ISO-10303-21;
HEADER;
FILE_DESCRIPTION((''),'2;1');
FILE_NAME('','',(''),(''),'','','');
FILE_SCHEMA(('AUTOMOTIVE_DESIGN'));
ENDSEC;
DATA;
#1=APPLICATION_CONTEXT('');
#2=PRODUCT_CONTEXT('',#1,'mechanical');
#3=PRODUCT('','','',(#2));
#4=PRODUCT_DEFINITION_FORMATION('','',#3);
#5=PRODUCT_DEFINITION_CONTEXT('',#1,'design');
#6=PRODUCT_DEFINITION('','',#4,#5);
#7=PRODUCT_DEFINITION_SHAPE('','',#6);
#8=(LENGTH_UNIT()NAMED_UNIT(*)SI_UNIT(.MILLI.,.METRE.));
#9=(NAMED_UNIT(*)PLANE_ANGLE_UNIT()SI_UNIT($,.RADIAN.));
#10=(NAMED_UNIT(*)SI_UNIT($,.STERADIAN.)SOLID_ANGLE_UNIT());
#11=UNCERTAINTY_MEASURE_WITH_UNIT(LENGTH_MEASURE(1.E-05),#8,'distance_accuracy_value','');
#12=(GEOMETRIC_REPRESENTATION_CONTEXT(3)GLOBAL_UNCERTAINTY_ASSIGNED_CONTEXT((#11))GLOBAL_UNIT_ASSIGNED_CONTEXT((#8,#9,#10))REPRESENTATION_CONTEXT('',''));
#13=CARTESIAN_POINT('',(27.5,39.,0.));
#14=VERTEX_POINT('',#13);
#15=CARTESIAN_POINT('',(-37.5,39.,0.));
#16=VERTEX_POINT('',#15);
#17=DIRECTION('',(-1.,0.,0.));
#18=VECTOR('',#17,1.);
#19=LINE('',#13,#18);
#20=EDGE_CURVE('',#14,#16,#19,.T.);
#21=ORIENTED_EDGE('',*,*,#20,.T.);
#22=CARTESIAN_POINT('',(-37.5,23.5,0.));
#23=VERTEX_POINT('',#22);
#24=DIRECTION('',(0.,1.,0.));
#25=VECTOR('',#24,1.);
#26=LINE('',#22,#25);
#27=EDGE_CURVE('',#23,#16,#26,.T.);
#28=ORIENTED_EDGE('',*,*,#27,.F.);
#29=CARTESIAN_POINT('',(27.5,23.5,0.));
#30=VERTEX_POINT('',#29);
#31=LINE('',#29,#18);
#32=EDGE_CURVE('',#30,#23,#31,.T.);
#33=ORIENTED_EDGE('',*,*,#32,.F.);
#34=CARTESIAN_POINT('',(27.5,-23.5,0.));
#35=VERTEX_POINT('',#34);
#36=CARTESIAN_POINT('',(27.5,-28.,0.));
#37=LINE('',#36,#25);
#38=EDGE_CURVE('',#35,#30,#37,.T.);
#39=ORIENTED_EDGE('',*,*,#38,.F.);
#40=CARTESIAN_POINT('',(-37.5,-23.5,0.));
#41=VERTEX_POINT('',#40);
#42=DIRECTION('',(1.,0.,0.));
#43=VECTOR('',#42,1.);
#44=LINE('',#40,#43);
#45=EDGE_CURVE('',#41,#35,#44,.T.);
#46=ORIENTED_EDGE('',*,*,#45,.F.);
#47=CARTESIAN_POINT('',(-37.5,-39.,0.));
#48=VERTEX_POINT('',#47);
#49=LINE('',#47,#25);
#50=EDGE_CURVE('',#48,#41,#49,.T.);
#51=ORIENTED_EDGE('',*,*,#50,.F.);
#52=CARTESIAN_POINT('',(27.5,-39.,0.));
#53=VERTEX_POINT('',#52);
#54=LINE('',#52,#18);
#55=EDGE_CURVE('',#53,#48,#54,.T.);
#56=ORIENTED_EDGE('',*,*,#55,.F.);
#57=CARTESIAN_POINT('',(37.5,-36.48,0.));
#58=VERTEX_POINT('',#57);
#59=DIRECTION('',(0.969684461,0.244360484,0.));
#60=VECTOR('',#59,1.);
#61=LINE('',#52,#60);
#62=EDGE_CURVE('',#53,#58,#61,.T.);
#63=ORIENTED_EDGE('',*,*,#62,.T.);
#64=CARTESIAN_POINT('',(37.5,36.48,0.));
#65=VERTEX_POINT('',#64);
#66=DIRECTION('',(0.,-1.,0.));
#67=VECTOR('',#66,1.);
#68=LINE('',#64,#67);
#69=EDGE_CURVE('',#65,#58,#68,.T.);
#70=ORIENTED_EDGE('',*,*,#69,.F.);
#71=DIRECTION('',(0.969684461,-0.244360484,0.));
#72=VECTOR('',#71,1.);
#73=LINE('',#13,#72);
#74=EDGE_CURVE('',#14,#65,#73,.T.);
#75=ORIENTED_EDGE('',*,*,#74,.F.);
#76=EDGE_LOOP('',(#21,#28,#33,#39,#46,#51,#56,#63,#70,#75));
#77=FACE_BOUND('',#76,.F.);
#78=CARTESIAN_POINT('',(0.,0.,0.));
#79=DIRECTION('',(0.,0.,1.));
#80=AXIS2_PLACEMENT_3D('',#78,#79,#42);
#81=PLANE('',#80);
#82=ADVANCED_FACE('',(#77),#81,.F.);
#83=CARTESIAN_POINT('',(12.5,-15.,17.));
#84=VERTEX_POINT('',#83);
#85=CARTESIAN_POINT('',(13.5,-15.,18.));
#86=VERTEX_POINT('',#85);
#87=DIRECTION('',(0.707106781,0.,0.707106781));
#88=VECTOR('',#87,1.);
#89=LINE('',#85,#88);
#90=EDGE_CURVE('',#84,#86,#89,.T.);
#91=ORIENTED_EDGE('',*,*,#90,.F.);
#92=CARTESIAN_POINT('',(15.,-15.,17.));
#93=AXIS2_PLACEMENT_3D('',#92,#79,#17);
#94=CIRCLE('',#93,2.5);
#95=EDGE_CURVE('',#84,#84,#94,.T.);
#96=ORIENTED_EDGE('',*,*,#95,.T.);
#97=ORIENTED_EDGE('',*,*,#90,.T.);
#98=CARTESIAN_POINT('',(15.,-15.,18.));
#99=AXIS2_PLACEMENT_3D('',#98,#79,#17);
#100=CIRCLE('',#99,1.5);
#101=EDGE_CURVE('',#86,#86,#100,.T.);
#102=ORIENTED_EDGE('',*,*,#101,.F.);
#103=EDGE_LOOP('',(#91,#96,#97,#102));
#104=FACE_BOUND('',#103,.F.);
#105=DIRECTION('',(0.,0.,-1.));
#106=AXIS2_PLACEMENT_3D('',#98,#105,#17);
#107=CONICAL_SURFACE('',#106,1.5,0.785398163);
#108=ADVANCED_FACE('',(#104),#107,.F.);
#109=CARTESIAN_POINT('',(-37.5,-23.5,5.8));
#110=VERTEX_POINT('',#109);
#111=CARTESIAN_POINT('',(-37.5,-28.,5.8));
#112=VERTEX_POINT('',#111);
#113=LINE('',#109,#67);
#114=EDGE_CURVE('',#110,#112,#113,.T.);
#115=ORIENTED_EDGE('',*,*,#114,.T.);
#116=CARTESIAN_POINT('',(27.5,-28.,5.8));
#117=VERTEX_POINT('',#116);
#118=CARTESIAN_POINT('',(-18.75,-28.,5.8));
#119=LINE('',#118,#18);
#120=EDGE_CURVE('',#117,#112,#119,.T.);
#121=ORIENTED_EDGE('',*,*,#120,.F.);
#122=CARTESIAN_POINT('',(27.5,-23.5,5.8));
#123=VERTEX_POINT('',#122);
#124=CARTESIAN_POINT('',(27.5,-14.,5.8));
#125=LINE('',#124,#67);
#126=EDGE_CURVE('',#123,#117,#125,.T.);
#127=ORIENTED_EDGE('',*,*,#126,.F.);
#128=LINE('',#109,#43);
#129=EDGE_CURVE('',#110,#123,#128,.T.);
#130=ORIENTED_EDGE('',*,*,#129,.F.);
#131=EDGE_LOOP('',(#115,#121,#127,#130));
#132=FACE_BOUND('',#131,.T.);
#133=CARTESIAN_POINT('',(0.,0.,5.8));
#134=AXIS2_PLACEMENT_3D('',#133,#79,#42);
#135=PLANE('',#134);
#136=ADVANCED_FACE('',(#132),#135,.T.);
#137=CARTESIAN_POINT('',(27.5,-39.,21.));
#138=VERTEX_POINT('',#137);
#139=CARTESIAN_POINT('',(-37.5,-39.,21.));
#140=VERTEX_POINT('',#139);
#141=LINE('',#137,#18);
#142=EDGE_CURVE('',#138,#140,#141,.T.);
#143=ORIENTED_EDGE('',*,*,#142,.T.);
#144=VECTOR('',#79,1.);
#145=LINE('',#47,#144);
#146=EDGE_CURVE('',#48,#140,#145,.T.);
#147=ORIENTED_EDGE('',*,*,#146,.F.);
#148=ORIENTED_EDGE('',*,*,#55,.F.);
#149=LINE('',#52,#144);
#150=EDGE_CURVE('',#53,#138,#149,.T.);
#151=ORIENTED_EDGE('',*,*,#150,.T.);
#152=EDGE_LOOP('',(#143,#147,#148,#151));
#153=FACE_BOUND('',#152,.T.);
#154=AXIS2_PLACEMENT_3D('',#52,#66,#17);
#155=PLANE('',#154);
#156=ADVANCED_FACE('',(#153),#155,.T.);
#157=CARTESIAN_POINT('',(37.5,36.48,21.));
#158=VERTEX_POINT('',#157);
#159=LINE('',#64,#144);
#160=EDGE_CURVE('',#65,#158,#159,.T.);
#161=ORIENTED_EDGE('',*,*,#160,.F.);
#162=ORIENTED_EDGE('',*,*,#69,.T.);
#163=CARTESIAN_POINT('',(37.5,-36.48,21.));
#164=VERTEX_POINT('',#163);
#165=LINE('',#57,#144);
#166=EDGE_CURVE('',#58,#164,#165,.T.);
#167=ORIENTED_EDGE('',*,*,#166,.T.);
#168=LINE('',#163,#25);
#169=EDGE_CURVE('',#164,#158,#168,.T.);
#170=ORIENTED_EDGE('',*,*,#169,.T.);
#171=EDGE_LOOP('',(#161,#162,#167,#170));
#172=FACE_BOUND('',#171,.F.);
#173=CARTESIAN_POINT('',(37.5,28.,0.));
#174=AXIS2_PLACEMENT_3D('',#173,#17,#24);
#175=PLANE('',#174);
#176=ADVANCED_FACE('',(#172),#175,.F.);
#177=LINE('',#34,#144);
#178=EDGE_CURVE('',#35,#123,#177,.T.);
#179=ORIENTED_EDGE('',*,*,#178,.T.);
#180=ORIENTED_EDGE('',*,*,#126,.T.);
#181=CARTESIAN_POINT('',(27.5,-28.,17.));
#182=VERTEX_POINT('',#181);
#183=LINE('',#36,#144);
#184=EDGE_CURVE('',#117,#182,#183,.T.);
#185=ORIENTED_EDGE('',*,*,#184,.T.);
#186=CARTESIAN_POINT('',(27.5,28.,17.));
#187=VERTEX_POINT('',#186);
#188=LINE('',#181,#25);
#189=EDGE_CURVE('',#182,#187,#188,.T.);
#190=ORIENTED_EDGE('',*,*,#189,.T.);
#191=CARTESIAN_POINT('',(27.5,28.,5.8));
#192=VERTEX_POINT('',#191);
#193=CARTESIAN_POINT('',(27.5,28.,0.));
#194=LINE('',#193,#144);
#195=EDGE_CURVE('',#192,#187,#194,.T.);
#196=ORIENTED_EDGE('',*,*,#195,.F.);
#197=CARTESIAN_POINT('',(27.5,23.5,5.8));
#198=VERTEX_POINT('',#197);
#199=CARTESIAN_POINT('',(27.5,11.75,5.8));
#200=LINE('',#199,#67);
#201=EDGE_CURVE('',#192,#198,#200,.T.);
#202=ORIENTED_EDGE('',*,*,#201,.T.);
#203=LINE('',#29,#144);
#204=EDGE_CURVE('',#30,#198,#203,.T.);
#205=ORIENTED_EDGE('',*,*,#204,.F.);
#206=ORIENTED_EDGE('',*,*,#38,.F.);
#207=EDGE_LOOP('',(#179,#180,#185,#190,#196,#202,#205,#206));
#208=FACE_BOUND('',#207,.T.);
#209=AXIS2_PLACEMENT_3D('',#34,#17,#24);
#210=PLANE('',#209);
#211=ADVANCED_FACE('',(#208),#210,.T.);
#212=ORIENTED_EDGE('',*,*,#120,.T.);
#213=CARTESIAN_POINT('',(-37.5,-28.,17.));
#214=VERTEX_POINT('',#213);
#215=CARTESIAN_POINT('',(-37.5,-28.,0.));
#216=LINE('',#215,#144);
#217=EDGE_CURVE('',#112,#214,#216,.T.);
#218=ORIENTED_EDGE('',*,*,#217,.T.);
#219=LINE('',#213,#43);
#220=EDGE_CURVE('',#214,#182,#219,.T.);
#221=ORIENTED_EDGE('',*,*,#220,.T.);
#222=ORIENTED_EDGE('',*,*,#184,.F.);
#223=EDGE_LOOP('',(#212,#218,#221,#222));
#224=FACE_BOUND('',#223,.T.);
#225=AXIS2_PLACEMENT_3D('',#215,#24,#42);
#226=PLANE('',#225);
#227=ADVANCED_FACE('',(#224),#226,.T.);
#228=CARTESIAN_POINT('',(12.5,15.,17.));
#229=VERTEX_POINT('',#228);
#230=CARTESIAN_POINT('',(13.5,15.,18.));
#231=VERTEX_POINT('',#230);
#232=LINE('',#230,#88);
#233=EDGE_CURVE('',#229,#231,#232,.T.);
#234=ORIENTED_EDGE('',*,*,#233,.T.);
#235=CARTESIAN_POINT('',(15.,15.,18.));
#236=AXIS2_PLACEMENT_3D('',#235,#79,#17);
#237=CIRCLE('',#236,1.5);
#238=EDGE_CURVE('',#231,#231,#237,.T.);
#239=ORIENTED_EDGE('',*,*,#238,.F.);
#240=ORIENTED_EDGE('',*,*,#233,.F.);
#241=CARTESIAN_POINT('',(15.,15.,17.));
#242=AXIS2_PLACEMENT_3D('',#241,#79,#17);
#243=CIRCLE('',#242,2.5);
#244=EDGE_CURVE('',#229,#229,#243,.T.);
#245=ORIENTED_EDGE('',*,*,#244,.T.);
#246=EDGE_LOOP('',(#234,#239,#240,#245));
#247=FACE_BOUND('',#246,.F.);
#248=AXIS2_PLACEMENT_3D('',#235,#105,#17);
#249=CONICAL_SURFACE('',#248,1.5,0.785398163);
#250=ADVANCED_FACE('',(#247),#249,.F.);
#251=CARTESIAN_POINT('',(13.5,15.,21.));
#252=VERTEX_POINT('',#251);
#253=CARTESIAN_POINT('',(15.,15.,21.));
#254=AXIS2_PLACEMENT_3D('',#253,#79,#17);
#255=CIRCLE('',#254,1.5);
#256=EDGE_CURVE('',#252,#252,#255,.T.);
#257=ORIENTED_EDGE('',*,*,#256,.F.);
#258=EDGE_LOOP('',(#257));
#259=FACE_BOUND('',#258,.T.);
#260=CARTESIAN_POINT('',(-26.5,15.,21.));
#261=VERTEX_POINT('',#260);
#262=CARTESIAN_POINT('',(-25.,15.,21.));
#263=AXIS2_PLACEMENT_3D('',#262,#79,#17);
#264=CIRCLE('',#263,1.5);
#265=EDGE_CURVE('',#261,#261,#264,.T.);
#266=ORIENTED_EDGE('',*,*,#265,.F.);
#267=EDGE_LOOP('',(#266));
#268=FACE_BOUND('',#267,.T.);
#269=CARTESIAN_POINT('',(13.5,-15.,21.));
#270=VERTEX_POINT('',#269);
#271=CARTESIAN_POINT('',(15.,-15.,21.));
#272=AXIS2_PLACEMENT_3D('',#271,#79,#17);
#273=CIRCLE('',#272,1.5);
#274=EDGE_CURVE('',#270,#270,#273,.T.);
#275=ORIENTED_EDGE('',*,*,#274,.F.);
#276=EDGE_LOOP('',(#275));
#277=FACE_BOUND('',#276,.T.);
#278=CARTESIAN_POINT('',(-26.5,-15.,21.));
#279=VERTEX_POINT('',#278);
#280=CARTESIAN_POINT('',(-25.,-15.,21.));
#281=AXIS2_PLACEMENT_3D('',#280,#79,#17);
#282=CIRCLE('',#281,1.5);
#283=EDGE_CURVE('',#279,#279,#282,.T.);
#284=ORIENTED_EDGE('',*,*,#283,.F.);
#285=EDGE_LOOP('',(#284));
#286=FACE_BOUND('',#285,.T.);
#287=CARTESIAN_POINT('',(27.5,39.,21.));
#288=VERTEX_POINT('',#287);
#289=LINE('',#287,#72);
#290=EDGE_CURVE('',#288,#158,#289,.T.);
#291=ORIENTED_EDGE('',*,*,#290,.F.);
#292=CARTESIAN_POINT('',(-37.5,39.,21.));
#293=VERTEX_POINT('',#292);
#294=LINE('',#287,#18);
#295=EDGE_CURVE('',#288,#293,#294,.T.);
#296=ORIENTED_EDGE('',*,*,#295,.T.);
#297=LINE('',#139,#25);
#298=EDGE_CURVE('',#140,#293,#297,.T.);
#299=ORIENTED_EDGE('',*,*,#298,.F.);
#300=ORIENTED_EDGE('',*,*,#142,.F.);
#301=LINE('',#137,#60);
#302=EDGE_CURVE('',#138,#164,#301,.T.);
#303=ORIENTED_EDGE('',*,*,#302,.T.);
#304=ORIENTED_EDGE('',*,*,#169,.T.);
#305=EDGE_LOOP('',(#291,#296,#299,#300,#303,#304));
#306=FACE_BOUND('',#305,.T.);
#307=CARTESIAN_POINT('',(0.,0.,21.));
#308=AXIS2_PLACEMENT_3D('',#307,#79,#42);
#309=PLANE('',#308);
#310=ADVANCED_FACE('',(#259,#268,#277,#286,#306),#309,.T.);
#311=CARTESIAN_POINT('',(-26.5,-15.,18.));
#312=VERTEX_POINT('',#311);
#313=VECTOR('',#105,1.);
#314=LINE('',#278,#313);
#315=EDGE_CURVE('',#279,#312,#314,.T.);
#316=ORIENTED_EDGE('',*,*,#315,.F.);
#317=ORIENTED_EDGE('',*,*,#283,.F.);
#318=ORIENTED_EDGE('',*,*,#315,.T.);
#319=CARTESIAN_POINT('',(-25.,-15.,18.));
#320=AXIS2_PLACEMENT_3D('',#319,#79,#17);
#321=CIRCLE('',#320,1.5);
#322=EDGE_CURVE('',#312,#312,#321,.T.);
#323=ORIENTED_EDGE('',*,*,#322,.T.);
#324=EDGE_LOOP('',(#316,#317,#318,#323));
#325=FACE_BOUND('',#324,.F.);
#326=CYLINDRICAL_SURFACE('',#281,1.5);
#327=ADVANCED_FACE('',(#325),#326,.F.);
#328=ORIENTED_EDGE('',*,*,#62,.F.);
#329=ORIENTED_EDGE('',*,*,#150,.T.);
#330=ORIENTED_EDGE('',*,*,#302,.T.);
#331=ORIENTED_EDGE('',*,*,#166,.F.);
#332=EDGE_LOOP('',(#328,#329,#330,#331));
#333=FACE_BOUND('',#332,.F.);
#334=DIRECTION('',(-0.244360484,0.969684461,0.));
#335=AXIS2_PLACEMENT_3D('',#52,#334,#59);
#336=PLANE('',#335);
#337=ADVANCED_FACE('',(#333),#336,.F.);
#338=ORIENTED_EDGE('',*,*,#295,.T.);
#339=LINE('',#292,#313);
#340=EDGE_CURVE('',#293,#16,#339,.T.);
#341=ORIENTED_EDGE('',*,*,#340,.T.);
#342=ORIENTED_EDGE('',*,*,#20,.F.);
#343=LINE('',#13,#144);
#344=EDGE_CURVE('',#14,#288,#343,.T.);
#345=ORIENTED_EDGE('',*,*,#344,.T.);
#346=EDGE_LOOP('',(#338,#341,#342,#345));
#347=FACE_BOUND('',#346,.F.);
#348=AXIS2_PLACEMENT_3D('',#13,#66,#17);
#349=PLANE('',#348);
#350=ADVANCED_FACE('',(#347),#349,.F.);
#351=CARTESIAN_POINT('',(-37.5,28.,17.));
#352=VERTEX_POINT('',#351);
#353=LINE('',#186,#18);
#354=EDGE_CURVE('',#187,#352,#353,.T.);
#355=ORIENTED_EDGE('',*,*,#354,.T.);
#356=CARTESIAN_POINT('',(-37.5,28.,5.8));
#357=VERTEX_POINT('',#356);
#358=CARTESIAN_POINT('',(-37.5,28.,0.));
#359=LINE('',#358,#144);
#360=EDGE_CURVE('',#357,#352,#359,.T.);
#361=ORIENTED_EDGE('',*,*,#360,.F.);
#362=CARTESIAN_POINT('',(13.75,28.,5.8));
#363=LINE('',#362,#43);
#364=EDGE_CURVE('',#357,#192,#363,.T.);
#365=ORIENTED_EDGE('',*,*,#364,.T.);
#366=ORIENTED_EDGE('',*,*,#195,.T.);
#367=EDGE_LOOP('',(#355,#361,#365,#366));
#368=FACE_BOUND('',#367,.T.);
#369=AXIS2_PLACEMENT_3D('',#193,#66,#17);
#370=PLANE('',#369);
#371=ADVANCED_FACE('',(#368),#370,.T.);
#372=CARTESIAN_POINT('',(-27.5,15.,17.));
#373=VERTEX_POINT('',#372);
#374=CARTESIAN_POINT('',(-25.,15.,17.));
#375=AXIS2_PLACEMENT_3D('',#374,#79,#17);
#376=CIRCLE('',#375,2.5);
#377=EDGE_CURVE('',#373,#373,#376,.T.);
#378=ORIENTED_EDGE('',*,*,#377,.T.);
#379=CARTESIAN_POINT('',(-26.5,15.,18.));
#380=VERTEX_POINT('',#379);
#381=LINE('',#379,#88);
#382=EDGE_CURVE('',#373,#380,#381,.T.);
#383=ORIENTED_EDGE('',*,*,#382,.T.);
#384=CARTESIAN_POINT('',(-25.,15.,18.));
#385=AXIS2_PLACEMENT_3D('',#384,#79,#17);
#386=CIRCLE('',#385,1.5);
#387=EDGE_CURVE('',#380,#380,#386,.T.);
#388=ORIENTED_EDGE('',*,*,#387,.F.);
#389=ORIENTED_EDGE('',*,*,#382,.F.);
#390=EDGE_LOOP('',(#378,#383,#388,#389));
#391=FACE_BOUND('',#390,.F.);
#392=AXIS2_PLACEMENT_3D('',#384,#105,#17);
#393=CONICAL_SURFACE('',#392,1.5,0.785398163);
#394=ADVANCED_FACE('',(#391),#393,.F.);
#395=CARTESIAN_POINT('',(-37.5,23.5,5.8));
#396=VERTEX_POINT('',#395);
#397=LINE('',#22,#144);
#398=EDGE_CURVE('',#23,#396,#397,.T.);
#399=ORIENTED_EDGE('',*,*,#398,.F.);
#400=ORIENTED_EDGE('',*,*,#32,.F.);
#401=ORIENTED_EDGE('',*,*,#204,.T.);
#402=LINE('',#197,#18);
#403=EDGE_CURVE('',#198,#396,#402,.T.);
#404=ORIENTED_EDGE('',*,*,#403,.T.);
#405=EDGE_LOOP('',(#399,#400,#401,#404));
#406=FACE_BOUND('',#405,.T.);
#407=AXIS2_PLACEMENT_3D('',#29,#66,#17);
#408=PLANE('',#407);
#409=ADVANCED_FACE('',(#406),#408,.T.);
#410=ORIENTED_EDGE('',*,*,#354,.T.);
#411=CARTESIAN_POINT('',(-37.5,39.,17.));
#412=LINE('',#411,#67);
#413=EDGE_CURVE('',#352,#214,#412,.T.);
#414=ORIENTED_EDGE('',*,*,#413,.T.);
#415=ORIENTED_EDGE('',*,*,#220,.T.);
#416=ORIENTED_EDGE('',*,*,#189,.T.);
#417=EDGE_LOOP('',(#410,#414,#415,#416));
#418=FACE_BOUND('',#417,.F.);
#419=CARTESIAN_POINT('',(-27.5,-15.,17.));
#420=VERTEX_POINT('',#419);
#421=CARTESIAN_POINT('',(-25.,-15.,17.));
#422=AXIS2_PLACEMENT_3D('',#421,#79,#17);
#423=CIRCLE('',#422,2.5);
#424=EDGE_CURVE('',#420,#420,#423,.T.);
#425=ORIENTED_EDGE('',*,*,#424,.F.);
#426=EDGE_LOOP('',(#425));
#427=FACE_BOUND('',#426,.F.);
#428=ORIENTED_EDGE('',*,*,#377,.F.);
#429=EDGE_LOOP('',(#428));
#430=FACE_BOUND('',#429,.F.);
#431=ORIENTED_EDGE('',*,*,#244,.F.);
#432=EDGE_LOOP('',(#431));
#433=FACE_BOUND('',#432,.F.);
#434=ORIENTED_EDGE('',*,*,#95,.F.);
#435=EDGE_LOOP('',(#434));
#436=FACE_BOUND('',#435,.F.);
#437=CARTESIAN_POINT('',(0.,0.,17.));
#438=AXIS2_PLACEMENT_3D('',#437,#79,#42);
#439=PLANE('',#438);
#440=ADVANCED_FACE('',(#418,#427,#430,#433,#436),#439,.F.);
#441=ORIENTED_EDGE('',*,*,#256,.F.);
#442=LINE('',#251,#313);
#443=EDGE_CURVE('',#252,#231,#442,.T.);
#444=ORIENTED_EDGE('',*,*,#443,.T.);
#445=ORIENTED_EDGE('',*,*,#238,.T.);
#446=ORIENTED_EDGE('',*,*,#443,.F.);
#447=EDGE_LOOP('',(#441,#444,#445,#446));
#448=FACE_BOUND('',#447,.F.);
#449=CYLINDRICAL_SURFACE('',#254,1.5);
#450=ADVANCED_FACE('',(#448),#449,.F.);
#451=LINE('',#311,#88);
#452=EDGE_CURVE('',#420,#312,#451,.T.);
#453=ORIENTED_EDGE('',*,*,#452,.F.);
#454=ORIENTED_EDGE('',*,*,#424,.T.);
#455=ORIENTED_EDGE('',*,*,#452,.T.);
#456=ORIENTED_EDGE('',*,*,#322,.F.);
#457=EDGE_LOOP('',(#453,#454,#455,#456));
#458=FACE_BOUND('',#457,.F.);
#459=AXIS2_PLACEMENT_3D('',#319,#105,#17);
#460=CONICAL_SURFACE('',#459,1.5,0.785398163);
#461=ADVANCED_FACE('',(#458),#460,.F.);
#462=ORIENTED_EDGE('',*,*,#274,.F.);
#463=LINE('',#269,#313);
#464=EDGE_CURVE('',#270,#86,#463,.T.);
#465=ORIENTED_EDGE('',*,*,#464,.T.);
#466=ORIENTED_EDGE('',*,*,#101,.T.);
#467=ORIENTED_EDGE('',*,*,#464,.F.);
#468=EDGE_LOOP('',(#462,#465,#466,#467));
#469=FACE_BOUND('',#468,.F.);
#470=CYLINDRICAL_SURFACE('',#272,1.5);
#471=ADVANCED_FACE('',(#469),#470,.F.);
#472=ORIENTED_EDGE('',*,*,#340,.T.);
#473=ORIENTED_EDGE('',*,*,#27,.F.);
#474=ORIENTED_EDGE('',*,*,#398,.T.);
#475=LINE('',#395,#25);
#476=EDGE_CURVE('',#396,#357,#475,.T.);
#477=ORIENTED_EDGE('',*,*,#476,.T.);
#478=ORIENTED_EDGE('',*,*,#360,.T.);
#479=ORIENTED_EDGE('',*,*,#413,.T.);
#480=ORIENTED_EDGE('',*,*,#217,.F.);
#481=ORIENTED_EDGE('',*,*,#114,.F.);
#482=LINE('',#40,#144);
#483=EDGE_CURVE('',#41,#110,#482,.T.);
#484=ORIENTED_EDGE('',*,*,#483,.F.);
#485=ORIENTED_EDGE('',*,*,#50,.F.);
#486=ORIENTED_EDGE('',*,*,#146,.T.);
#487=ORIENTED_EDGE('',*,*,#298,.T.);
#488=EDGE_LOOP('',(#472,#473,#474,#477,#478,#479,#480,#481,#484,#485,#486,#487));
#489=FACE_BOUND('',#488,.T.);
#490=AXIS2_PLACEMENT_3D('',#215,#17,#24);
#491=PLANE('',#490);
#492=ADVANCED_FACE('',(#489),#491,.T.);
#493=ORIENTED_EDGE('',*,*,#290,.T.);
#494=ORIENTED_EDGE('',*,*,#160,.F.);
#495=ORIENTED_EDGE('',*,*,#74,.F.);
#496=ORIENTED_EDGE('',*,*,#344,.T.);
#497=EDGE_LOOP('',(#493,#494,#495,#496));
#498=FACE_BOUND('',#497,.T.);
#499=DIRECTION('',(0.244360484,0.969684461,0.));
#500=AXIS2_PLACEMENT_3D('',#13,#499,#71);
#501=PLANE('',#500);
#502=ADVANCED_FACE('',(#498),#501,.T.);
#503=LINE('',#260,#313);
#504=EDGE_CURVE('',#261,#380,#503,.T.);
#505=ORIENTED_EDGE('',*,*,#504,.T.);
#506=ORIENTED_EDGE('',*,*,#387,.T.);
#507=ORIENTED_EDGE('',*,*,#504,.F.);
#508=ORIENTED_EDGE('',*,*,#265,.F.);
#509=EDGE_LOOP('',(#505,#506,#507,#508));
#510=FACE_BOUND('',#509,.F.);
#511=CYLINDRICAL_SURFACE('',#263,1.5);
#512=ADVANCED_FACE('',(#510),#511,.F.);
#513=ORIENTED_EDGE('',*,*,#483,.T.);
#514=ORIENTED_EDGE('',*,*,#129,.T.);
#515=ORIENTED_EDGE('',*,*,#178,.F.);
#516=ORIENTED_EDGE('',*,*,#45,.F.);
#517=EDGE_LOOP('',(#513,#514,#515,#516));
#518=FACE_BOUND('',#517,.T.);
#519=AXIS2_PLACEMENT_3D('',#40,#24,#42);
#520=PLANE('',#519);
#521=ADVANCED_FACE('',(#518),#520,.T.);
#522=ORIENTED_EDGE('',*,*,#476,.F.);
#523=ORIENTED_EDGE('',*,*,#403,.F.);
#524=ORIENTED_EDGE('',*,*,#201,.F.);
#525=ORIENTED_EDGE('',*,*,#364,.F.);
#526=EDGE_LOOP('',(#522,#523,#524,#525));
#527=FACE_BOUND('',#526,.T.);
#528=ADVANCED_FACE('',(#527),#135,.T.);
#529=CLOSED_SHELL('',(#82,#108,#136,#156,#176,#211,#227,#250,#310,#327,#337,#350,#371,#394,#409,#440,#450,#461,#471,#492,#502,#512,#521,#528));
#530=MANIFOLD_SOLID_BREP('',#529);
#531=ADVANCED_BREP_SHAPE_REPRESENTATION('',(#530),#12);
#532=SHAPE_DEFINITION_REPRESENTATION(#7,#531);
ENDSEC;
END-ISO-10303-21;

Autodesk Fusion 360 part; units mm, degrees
sketch "Sketch1" plane through (0, 0, 0) normal (0, 0, 1) x (1, 0, 0)
  line L0 (27.5, 28) -> (-37.5, 28)
  line L1 (-37.5, 39) -> (-37.5, -23.5)
  line L2 (-37.5, -28) -> (27.5, -28)
  line L3 (27.5, -28) -> (27.5, 28)
  line L4 (27.5, 23.5) -> (-37.5, 23.5)
  line L5 (-37.5, -23.5) -> (27.5, -23.5)
  line L6 (27.5, -23.5) -> (27.5, 23.5)
  line L7 (27.5, 39) -> (-37.5, 39)
  line L8 (37.5, -28) -> (37.5, 36.48)
  line L9 (27.5, 39) -> (37.5, 36.48)
  line L10 (1.75, 0) -> (22.5, 0)
  line L11 (37.5, 28) -> (37.5, -36.48)
  line L12 (27.5, -39) -> (37.5, -36.48)
  line L13 (27.5, -39) -> (-37.5, -39)
  line L14 (-37.5, -39) -> (-37.5, 23.5)
  dimension "d1" = 65
  dimension "d2" = 56
  dimension "d3" = 65
  dimension "d4" = 47
  dimension "d5" = 11
  dimension "d6" = 10
extrude "Extrude1" add sketch "Sketch1" along normal blind 5.8 contours L0 L1 L3 L4 | L0 L1 L2 L3 L6 L7 L8 L9 L11 L12 L13 L14 | L2 L3 L5 L14
extrude "Extrude2" add sketch "Sketch1" along normal blind 17 contours L0 L1 L2 L3 L6 L7 L8 L9 L11 L12 L13 L14
extrude "Extrude3" add sketch "Sketch1" along normal blind 21 and the other way blind -17
sketch "Sketch2" plane through (0, 0, 21) normal (0, 0, 1) x (-1, 0, 0)
  line L0 (37.5, -39) -> (37.5, 39)
  line L1 (37.5, 39) -> (-27.5, 39)
  line L2 (-27.5, 39) -> (-37.5, 36.48)
  line L3 (-37.5, 36.48) -> (-37.5, -36.48)
  line L4 (-37.5, -36.48) -> (-27.5, -39)
  line L5 (-27.5, -39) -> (37.5, -39)
  circle A0 centre (25, 15) radius 1.5
  circle A1 centre (-15, 15) radius 1.5
  line L6 (-1.75, 0) -> (-22.5, 0)
  circle A2 centre (25, -15) radius 1.5
  circle A3 centre (-15, -15) radius 1.5
  dimension "d15" = 3
  dimension "d16" = 3
extrude "Extrude4" cut sketch "Sketch2" against normal blind 5 contours A0 | A1 | A2 | A3
chamfer "Chamfer1" distance 1 angle 45 4 edges at (-23.6015, 15.5424, 17) (-23.6015, -14.4576, 17) (16.3985, -14.4576, 17) (16.3985, 15.5424, 17)
